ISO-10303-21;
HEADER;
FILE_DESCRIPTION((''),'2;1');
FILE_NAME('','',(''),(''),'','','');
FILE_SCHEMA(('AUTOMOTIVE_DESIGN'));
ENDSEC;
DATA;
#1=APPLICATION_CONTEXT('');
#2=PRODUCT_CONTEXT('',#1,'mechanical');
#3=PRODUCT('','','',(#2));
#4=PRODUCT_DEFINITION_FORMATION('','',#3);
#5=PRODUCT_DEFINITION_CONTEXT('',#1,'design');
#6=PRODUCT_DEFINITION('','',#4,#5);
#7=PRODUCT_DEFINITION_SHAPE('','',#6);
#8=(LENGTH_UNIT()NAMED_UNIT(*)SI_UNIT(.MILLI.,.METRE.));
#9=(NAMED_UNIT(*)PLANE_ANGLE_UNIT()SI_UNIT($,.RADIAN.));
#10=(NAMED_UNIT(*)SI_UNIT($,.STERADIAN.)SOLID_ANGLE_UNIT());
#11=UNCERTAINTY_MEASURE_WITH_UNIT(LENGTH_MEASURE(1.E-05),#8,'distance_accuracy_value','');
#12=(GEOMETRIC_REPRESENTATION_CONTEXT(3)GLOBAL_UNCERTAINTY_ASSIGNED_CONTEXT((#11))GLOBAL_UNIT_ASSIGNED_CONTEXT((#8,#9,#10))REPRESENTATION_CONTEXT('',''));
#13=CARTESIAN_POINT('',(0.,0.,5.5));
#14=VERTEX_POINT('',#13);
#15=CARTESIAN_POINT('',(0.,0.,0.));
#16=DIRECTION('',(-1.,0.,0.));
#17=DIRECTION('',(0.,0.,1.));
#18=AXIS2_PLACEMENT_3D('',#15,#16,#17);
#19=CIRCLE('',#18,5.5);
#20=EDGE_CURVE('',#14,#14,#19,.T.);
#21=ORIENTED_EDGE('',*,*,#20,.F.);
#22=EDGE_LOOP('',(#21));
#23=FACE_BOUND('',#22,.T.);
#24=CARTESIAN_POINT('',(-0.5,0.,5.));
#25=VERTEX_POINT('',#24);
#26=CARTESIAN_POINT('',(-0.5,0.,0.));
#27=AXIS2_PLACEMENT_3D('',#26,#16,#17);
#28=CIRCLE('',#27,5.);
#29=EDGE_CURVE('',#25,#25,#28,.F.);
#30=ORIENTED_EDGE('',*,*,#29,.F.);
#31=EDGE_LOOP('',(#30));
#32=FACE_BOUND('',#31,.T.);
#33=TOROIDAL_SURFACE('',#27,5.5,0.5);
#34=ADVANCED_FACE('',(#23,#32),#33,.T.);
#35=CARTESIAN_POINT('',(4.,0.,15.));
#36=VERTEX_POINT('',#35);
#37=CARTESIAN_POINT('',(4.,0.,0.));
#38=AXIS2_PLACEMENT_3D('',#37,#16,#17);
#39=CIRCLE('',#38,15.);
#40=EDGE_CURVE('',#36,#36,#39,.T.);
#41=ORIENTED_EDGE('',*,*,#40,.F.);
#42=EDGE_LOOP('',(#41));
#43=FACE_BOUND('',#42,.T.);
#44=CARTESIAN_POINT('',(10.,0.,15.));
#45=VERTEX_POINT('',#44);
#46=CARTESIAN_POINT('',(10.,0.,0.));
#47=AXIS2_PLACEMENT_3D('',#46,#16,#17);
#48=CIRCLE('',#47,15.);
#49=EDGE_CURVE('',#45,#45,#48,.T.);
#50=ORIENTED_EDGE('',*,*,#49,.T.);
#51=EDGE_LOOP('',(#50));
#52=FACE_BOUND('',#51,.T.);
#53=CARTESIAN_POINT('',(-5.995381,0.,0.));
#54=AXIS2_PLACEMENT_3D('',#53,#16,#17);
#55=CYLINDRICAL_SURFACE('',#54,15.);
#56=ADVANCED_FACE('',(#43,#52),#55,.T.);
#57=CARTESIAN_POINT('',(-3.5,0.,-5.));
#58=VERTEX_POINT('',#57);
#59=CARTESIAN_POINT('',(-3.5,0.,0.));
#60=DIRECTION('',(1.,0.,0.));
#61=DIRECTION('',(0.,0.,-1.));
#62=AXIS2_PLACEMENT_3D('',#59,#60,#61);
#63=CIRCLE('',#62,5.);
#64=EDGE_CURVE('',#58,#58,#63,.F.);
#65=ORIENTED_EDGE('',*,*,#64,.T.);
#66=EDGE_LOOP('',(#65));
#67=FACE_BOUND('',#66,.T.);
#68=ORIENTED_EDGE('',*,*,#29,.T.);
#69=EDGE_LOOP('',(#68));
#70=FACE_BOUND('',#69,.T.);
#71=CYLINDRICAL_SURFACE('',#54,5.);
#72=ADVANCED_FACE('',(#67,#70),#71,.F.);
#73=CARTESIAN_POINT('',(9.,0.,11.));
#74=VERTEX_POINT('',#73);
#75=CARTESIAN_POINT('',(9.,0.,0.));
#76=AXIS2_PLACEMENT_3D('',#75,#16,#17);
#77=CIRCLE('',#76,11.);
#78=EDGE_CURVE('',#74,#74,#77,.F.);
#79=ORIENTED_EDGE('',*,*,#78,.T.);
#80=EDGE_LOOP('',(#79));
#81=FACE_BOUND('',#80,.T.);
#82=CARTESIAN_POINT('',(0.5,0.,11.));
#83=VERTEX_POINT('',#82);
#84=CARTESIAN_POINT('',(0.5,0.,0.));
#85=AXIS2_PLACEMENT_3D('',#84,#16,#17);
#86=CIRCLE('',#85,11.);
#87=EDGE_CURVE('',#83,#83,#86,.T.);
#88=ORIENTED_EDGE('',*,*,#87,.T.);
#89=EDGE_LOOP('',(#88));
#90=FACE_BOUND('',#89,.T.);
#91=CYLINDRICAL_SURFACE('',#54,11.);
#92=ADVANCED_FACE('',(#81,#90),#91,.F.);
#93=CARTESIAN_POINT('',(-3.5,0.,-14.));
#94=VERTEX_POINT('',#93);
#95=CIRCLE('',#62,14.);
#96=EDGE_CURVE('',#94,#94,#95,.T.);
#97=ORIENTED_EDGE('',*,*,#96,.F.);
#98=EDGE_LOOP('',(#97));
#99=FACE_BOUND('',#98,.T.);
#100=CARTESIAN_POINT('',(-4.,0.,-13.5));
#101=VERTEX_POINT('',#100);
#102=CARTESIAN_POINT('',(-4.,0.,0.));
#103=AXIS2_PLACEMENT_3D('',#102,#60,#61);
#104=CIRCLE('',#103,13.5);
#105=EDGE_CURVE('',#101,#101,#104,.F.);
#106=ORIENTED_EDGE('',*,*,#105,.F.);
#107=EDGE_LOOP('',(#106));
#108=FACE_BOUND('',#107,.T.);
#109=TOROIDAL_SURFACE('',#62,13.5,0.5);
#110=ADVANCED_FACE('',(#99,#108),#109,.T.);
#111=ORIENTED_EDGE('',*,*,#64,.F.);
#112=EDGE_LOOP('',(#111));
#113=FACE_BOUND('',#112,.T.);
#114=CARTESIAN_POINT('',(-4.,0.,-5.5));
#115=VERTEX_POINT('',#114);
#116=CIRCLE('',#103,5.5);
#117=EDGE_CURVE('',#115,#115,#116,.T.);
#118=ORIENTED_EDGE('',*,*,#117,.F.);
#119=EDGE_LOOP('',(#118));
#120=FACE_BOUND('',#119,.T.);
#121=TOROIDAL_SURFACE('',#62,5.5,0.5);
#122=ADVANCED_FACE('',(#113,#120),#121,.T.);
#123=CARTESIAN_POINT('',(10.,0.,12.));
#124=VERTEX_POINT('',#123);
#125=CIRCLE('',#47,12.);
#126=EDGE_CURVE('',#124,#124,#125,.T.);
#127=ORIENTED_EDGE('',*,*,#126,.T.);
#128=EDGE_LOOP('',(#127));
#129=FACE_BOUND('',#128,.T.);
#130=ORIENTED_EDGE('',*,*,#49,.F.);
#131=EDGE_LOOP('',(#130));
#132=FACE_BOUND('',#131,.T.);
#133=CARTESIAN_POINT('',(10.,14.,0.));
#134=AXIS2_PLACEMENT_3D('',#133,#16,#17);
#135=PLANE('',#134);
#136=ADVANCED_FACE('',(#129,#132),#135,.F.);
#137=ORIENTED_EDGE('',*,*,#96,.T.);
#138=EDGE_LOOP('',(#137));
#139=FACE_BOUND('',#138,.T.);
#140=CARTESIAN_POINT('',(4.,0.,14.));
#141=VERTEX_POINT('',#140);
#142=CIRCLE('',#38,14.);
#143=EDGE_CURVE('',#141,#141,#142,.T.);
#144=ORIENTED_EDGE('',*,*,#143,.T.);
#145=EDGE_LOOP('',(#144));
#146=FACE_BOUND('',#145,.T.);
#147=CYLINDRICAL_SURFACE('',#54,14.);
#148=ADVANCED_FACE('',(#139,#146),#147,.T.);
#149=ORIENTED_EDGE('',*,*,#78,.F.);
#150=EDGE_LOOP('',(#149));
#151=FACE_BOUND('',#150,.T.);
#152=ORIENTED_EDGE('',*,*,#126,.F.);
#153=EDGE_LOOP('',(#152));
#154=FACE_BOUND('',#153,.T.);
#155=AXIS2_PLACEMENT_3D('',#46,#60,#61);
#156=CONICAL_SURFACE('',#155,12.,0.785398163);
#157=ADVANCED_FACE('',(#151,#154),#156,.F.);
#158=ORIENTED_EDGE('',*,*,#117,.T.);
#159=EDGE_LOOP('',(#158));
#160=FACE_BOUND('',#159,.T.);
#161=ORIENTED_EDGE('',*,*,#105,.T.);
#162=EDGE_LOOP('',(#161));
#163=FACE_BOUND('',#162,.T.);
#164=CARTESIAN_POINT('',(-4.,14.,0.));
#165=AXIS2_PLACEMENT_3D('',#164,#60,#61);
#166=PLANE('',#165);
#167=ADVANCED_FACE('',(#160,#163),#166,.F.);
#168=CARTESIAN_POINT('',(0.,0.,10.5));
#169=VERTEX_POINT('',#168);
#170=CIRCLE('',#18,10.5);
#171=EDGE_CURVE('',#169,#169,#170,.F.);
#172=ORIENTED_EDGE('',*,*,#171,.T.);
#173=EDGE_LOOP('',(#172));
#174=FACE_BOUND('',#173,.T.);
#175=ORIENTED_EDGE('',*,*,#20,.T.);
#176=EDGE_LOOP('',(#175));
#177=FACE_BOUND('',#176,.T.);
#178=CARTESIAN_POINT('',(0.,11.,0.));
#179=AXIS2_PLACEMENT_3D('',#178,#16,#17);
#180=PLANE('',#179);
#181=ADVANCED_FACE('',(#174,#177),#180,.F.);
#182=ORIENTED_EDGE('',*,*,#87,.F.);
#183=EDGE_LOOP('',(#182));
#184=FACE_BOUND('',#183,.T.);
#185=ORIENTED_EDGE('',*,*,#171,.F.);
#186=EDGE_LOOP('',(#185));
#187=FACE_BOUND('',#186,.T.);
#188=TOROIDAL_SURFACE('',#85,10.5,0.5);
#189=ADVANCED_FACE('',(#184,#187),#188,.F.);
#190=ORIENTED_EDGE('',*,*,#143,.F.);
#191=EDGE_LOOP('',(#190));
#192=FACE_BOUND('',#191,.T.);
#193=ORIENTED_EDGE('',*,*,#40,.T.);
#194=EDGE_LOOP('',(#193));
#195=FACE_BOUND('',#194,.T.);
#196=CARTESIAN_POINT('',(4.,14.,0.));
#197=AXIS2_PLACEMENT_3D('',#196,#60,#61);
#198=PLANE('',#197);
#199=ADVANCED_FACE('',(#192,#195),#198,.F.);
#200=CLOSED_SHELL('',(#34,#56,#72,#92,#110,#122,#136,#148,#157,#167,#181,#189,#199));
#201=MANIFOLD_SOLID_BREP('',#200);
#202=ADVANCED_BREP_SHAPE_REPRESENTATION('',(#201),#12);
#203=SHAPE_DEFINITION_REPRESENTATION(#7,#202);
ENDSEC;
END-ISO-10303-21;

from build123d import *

# Parameters (mm, degrees)
REDONDEO1_R   = 0.5
CHAFL_N1_SIZE = 1


with BuildPart() as part:
    # Croquis1 → Revolución1 (revolve)
    with BuildSketch(Plane.XY):
        Polygon((0, 11), (10, 11), (10, 14), (10, 15), (4, 15), (4, 14), (-4, 14), (-4, 5), (0, 5), align=None)
    revolve(axis=Axis((-5.995381062, 0, 0), (1, 0, 0)))

    # Redondeo1
    redondeo1_edges = [part.edges().sort_by_distance(p)[0] for p in [
        (0, -11, 0),
        (0, -5, 0),
        (-4, -5, 0),
        (-4, -14, 0),
    ]]
    fillet(redondeo1_edges, radius=REDONDEO1_R)

    # Chaflán1
    chafl_n1_edges = [part.edges().sort_by_distance(p)[0] for p in [
        (10, -11, 0),
    ]]
    chamfer(chafl_n1_edges, length=CHAFL_N1_SIZE)


solid = part.part
